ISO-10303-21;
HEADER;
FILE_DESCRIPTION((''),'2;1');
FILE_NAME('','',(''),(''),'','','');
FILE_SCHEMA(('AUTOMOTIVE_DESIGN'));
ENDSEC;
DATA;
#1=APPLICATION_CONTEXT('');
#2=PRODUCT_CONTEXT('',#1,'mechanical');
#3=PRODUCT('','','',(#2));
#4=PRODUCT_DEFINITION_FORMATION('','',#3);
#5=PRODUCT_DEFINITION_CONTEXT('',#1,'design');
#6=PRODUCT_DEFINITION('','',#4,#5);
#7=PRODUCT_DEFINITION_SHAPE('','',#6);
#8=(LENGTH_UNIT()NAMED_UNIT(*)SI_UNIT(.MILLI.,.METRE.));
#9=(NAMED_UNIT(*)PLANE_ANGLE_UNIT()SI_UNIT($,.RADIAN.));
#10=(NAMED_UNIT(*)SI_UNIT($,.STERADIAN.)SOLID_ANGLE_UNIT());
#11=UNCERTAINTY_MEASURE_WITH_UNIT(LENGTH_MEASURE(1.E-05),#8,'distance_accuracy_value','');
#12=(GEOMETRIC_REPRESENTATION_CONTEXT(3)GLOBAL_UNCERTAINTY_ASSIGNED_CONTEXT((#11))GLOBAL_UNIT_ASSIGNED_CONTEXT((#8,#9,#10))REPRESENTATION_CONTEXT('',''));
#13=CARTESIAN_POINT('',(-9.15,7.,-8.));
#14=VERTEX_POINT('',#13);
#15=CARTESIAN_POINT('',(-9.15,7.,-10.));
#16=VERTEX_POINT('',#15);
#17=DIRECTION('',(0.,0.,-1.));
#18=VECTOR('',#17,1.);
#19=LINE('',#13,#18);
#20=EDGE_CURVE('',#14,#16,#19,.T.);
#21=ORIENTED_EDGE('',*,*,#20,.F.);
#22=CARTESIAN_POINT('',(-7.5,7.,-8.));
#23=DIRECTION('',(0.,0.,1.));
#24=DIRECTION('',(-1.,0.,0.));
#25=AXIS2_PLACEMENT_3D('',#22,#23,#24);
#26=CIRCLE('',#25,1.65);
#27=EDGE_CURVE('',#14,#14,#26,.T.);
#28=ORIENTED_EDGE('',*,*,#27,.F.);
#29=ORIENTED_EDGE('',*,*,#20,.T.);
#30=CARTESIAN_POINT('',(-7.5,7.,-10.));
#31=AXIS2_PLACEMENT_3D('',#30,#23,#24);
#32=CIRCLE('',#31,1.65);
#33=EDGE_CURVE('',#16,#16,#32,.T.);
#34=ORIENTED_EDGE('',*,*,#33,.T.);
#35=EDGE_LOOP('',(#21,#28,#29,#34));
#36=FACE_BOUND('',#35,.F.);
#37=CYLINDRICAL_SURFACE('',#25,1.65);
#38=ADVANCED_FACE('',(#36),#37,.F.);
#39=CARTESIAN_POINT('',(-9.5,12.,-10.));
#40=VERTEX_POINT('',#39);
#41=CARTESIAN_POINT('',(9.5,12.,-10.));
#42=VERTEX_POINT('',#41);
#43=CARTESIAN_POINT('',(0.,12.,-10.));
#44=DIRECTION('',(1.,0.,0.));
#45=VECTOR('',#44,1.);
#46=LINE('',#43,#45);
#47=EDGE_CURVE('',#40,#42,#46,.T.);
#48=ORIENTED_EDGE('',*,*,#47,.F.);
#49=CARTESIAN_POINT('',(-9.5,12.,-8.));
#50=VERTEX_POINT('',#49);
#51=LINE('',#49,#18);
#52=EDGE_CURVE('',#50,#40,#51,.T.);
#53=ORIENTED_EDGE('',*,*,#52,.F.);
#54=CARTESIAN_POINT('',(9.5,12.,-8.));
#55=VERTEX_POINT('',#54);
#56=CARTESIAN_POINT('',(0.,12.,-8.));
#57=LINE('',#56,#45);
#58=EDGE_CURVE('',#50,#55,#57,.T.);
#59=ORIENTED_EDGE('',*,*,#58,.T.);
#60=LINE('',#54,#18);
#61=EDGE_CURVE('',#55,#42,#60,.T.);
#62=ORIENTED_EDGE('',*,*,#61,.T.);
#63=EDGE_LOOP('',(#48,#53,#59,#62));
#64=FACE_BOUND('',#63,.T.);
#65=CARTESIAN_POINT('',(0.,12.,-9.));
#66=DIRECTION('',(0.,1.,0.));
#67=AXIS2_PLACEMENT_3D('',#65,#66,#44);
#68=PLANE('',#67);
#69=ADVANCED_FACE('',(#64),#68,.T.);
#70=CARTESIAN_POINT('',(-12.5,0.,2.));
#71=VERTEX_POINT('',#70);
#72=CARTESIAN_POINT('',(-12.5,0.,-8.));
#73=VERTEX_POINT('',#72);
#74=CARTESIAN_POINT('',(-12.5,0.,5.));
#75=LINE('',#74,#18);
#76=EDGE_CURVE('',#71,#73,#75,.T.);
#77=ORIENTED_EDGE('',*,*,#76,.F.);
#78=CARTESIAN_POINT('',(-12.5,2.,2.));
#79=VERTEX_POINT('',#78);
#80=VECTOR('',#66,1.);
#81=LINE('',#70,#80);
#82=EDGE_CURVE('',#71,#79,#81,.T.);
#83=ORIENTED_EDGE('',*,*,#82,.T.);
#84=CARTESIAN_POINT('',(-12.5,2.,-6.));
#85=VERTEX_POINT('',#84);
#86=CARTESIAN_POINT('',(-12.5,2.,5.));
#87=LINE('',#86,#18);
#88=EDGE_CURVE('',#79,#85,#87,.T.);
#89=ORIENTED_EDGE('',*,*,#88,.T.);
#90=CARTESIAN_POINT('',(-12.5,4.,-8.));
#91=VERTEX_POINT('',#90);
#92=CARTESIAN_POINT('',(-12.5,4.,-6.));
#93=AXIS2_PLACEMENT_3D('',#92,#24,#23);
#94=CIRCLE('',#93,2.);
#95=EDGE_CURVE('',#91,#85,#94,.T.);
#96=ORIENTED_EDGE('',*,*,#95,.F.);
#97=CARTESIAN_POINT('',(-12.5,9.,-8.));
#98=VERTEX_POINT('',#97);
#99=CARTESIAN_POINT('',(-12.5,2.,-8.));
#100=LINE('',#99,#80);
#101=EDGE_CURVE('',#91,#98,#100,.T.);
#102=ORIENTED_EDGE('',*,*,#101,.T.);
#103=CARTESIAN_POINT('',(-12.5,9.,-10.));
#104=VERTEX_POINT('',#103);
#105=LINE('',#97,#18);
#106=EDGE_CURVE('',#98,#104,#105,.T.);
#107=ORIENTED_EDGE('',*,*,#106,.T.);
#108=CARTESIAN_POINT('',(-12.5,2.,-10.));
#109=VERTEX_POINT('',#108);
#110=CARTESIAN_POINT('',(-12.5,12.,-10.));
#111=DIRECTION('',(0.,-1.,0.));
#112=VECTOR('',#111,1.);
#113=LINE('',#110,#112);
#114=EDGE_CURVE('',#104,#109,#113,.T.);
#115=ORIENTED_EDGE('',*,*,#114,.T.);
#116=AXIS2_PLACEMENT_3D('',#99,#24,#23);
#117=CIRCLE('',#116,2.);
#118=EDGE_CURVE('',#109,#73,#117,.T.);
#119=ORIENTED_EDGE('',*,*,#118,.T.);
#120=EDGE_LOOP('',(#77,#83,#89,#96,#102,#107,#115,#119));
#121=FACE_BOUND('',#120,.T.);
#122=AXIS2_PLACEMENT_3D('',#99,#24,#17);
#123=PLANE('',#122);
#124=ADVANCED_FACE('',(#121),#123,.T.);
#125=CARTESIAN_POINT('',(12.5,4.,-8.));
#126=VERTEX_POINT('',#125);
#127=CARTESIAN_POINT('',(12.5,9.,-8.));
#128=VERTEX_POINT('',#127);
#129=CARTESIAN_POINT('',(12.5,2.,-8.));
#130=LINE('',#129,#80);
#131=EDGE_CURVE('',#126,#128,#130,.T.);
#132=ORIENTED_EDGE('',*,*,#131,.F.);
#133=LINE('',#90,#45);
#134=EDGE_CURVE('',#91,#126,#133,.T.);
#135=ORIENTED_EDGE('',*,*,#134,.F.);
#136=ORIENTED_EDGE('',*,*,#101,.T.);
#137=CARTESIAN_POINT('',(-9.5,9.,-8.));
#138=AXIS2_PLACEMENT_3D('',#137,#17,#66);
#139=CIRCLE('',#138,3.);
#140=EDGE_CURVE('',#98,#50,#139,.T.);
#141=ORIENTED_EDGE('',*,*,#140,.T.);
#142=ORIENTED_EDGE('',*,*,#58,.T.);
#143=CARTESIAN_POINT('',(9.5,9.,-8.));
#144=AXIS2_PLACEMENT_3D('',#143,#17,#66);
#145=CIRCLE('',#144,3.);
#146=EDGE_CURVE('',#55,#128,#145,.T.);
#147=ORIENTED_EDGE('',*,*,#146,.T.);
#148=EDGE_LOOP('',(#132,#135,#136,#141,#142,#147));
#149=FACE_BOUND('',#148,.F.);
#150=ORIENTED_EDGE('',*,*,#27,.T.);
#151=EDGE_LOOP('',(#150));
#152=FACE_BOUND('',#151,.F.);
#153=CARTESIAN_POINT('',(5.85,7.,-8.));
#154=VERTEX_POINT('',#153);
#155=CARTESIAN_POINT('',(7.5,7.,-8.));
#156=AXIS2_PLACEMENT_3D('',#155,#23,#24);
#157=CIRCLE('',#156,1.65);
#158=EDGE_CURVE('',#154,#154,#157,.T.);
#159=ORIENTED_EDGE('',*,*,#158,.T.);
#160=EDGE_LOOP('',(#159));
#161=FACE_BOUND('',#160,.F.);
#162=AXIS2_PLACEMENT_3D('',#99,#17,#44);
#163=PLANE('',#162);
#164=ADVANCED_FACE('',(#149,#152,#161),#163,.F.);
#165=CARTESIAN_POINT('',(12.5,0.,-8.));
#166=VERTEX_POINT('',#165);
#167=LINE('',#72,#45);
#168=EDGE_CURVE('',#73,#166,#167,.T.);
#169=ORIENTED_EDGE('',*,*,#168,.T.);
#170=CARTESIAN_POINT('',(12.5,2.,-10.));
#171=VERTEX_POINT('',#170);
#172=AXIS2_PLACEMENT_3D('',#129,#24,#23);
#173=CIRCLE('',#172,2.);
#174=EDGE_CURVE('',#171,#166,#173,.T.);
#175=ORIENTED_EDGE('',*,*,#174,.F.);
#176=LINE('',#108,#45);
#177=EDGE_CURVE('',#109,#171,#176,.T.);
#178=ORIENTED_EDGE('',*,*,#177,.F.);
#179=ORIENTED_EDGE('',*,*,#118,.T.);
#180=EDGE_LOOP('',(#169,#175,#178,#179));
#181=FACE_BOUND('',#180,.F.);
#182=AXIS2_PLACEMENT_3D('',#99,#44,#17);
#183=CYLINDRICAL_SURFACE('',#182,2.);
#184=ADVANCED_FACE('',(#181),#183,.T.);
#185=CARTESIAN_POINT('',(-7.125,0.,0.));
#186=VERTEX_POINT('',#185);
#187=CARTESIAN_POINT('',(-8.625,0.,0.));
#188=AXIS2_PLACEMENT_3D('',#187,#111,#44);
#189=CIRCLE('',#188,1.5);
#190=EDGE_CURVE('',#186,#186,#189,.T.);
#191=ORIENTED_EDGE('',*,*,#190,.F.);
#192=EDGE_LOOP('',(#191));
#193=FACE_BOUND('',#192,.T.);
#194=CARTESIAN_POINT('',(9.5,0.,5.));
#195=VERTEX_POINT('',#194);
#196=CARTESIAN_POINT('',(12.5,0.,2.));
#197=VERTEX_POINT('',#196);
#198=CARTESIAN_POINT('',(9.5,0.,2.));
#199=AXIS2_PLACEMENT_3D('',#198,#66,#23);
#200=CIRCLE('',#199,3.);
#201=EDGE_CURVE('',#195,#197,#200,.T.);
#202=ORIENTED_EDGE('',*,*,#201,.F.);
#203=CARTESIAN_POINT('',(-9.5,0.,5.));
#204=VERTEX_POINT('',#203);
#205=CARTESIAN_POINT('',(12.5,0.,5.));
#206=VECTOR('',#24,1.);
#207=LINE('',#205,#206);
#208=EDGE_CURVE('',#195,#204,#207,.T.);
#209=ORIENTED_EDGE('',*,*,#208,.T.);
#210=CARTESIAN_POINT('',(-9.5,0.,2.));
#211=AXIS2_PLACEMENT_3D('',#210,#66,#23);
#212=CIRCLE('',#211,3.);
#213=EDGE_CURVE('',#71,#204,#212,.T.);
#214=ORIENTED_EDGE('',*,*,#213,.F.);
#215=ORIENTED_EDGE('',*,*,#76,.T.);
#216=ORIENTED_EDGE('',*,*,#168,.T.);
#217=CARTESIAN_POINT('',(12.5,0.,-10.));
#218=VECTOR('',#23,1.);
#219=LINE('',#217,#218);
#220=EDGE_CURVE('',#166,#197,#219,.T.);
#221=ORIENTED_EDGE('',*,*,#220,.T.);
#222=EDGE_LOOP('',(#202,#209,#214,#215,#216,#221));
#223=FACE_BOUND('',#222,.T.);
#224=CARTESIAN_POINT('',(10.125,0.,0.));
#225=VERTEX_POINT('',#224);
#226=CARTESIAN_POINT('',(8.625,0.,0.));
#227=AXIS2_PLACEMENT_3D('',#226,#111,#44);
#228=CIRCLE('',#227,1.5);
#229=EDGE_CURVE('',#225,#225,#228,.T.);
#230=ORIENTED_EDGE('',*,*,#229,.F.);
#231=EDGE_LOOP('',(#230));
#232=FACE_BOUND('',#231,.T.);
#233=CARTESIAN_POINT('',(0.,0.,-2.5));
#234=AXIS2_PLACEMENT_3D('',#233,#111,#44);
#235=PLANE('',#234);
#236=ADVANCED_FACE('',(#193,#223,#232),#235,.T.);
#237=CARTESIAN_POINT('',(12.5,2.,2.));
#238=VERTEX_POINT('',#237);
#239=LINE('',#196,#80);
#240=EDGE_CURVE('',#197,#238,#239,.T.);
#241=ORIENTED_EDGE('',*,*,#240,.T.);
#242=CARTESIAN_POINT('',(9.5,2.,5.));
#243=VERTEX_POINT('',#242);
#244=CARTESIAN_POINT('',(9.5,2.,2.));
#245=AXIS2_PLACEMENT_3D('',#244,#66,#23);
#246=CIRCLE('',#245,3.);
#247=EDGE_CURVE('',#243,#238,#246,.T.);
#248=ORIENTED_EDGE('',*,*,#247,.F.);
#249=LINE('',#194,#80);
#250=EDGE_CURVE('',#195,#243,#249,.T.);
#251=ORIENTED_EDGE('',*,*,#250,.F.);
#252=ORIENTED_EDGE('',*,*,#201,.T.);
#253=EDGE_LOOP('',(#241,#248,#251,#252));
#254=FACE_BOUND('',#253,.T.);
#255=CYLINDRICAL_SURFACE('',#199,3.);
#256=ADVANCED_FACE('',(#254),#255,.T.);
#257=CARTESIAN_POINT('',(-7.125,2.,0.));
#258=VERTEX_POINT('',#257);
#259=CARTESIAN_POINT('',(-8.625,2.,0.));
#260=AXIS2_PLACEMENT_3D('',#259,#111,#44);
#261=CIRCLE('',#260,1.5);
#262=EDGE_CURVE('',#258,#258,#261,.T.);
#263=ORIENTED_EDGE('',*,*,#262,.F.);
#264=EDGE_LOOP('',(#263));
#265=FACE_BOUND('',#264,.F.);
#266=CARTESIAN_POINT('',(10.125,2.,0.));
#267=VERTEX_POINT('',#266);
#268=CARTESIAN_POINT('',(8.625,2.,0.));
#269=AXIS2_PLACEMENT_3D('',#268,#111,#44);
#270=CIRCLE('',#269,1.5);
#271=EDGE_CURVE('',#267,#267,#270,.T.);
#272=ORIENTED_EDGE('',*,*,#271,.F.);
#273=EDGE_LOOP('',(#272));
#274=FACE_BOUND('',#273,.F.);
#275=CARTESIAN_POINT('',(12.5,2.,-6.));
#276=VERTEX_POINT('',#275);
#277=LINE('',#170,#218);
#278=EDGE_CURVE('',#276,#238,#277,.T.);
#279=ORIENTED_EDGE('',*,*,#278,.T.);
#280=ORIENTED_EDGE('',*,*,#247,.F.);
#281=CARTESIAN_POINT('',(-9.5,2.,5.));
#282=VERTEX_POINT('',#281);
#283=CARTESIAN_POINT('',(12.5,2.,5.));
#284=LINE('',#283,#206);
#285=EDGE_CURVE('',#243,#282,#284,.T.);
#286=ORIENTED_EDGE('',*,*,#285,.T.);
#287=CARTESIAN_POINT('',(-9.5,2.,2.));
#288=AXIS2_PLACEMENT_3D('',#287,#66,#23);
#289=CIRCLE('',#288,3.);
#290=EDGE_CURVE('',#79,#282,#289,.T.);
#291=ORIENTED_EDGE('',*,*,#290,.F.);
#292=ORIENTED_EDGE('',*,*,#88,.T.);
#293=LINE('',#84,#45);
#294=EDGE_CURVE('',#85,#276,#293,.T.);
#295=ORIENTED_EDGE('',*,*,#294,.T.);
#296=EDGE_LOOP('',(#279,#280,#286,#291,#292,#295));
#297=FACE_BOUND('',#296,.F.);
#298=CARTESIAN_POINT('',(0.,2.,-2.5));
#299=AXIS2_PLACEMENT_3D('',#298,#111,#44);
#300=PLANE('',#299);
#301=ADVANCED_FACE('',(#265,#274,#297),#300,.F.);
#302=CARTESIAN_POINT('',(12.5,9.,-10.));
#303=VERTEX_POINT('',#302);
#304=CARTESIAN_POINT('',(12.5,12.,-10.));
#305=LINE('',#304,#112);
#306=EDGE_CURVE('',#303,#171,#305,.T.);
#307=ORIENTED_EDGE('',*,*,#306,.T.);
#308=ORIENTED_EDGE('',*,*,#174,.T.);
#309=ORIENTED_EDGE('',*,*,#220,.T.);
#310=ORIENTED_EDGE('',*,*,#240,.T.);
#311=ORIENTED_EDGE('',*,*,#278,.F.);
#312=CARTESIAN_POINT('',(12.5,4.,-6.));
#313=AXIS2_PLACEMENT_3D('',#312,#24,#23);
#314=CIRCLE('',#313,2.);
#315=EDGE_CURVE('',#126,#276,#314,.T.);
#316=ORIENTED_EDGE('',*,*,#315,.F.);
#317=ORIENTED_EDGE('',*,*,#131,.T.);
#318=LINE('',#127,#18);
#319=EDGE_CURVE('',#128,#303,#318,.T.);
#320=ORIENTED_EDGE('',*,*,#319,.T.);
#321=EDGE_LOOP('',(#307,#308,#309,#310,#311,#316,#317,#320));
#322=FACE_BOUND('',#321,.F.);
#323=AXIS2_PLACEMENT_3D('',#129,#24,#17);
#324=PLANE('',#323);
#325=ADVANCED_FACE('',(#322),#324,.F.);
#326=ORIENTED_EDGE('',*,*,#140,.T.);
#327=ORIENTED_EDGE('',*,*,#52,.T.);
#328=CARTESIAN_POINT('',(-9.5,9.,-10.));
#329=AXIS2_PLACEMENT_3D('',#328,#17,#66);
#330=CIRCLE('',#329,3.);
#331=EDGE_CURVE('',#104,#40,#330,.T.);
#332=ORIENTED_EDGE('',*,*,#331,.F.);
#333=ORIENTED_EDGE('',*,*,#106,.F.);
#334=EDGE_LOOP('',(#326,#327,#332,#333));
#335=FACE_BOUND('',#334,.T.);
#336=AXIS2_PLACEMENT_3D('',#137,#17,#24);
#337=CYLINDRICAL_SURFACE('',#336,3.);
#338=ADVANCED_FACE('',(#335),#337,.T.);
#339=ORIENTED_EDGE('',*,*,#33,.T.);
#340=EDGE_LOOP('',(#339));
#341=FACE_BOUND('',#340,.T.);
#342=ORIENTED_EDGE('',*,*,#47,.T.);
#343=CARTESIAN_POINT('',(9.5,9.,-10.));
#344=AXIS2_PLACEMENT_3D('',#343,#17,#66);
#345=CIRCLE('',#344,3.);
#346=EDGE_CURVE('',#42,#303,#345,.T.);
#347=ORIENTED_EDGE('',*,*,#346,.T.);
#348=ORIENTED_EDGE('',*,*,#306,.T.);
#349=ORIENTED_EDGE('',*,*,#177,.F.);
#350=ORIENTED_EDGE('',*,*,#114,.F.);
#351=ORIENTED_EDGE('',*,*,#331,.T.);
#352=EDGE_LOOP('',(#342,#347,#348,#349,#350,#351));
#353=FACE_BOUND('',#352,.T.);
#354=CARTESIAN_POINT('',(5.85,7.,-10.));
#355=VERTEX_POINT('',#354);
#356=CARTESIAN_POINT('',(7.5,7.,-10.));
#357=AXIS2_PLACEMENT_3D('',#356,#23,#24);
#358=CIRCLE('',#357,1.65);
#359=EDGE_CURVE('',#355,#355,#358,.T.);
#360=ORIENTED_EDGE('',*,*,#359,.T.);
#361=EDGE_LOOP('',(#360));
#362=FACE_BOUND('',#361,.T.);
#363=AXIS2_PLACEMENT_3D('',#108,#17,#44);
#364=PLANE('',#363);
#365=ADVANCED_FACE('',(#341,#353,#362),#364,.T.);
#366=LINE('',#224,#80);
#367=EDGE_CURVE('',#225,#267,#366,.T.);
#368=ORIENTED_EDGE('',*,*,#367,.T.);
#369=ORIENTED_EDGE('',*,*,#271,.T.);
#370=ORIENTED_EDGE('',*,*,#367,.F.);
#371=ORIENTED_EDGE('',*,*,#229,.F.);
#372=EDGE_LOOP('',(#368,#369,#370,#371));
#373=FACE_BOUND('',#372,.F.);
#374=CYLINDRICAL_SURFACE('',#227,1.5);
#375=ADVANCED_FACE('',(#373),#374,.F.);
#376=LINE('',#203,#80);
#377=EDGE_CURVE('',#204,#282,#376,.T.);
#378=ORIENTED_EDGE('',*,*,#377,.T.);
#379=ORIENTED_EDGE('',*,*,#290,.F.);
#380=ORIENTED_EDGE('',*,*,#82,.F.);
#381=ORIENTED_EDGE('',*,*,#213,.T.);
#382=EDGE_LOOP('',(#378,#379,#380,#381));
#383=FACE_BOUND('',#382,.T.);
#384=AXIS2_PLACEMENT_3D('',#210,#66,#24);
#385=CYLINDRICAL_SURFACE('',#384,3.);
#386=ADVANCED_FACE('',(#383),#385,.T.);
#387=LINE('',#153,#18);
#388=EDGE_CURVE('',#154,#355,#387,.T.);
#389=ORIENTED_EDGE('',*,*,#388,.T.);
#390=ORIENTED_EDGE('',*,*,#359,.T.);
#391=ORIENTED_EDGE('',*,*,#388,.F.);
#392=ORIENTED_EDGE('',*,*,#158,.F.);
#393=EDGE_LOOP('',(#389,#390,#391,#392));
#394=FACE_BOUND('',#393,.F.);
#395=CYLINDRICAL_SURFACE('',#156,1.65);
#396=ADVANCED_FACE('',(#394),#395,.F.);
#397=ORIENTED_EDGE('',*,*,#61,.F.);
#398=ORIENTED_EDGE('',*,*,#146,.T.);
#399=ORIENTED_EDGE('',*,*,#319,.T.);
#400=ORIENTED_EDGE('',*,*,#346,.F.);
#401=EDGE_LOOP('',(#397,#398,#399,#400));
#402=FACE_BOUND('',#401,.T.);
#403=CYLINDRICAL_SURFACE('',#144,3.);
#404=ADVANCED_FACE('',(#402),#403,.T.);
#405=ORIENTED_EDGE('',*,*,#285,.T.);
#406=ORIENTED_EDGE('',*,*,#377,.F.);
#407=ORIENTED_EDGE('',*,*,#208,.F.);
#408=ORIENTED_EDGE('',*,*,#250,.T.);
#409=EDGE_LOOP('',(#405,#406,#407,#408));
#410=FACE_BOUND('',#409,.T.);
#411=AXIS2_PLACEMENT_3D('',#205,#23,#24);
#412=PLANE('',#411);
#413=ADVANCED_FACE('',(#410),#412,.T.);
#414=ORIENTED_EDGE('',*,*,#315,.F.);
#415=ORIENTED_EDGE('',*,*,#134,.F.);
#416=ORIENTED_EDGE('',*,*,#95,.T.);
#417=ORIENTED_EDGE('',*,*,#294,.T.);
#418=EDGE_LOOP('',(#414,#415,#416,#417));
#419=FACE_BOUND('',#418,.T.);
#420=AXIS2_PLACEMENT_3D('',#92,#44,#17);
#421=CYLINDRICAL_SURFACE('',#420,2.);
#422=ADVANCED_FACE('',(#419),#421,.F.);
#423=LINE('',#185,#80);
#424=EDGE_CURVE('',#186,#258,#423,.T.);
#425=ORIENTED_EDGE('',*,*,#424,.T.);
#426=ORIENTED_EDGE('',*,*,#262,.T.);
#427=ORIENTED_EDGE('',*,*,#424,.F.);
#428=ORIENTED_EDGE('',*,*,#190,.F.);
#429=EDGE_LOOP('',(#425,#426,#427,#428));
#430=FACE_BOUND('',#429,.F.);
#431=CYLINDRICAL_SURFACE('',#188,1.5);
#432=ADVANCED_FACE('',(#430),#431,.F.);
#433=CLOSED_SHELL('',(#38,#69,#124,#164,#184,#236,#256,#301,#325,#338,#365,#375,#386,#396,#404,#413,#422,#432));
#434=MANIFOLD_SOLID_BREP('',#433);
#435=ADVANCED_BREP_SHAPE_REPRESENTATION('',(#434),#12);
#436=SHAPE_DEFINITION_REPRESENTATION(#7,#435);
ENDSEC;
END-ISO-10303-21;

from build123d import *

# Parameters (mm, degrees)
SKETCH_R     = 1.5
PAD_DEPTH    = 2
SKETCH001_W  = 25
SKETCH001_H  = 2
PAD001_DEPTH = 10
SKETCH002_R  = 1.65
POCKET_DEPTH = 2.001
FILLET_R     = 2
FILLET001_R  = 3


with BuildPart() as part:
    # Sketch → Pad (new body)
    with BuildSketch(Plane.XZ):
        Polygon((-12.5, 5), (-12.5, -5), (-12.5, -10), (12.5, -10), (12.5, -5), (12.5, 5), align=None)
        with Locations((-8.625, 0)):
            Circle(SKETCH_R, mode=Mode.SUBTRACT)
        with Locations((8.625, 0)):
            Circle(SKETCH_R, mode=Mode.SUBTRACT)
    extrude(amount=-PAD_DEPTH)

    # Sketch001 (on Face6 of Pad) → Pad001 (join)
    with BuildSketch(Plane(origin=(0, 2, 0), x_dir=(1, 0, 0), z_dir=(0, 1, 0))):
        with Locations((0, 9)):
            Rectangle(SKETCH001_W, SKETCH001_H)
    extrude(amount=PAD001_DEPTH)

    # Sketch002 (on Face6 of Pad001) → Pocket (cut, through all)
    with BuildSketch(Plane(origin=(0, 0, -8), x_dir=(-1, 0, 0), z_dir=(0, 0, 1))):
        with Locations((-7.5, -7)):
            Circle(SKETCH002_R)
        with Locations((7.5, -7)):
            Circle(SKETCH002_R)
    extrude(amount=-POCKET_DEPTH, mode=Mode.SUBTRACT)

    # Fillet
    fillet_edges = [part.edges().sort_by_distance(p)[0] for p in [
        (0, 2, -8),
        (0, 0, -10),
    ]]
    fillet(fillet_edges, radius=FILLET_R)

    # Fillet001
    fillet001_edges = [part.edges().sort_by_distance(p)[0] for p in [
        (-12.5, 1, 5),
        (12.5, 1, 5),
        (12.5, 12, -9),
        (-12.5, 12, -9),
    ]]
    fillet(fillet001_edges, radius=FILLET001_R)


solid = part.part
